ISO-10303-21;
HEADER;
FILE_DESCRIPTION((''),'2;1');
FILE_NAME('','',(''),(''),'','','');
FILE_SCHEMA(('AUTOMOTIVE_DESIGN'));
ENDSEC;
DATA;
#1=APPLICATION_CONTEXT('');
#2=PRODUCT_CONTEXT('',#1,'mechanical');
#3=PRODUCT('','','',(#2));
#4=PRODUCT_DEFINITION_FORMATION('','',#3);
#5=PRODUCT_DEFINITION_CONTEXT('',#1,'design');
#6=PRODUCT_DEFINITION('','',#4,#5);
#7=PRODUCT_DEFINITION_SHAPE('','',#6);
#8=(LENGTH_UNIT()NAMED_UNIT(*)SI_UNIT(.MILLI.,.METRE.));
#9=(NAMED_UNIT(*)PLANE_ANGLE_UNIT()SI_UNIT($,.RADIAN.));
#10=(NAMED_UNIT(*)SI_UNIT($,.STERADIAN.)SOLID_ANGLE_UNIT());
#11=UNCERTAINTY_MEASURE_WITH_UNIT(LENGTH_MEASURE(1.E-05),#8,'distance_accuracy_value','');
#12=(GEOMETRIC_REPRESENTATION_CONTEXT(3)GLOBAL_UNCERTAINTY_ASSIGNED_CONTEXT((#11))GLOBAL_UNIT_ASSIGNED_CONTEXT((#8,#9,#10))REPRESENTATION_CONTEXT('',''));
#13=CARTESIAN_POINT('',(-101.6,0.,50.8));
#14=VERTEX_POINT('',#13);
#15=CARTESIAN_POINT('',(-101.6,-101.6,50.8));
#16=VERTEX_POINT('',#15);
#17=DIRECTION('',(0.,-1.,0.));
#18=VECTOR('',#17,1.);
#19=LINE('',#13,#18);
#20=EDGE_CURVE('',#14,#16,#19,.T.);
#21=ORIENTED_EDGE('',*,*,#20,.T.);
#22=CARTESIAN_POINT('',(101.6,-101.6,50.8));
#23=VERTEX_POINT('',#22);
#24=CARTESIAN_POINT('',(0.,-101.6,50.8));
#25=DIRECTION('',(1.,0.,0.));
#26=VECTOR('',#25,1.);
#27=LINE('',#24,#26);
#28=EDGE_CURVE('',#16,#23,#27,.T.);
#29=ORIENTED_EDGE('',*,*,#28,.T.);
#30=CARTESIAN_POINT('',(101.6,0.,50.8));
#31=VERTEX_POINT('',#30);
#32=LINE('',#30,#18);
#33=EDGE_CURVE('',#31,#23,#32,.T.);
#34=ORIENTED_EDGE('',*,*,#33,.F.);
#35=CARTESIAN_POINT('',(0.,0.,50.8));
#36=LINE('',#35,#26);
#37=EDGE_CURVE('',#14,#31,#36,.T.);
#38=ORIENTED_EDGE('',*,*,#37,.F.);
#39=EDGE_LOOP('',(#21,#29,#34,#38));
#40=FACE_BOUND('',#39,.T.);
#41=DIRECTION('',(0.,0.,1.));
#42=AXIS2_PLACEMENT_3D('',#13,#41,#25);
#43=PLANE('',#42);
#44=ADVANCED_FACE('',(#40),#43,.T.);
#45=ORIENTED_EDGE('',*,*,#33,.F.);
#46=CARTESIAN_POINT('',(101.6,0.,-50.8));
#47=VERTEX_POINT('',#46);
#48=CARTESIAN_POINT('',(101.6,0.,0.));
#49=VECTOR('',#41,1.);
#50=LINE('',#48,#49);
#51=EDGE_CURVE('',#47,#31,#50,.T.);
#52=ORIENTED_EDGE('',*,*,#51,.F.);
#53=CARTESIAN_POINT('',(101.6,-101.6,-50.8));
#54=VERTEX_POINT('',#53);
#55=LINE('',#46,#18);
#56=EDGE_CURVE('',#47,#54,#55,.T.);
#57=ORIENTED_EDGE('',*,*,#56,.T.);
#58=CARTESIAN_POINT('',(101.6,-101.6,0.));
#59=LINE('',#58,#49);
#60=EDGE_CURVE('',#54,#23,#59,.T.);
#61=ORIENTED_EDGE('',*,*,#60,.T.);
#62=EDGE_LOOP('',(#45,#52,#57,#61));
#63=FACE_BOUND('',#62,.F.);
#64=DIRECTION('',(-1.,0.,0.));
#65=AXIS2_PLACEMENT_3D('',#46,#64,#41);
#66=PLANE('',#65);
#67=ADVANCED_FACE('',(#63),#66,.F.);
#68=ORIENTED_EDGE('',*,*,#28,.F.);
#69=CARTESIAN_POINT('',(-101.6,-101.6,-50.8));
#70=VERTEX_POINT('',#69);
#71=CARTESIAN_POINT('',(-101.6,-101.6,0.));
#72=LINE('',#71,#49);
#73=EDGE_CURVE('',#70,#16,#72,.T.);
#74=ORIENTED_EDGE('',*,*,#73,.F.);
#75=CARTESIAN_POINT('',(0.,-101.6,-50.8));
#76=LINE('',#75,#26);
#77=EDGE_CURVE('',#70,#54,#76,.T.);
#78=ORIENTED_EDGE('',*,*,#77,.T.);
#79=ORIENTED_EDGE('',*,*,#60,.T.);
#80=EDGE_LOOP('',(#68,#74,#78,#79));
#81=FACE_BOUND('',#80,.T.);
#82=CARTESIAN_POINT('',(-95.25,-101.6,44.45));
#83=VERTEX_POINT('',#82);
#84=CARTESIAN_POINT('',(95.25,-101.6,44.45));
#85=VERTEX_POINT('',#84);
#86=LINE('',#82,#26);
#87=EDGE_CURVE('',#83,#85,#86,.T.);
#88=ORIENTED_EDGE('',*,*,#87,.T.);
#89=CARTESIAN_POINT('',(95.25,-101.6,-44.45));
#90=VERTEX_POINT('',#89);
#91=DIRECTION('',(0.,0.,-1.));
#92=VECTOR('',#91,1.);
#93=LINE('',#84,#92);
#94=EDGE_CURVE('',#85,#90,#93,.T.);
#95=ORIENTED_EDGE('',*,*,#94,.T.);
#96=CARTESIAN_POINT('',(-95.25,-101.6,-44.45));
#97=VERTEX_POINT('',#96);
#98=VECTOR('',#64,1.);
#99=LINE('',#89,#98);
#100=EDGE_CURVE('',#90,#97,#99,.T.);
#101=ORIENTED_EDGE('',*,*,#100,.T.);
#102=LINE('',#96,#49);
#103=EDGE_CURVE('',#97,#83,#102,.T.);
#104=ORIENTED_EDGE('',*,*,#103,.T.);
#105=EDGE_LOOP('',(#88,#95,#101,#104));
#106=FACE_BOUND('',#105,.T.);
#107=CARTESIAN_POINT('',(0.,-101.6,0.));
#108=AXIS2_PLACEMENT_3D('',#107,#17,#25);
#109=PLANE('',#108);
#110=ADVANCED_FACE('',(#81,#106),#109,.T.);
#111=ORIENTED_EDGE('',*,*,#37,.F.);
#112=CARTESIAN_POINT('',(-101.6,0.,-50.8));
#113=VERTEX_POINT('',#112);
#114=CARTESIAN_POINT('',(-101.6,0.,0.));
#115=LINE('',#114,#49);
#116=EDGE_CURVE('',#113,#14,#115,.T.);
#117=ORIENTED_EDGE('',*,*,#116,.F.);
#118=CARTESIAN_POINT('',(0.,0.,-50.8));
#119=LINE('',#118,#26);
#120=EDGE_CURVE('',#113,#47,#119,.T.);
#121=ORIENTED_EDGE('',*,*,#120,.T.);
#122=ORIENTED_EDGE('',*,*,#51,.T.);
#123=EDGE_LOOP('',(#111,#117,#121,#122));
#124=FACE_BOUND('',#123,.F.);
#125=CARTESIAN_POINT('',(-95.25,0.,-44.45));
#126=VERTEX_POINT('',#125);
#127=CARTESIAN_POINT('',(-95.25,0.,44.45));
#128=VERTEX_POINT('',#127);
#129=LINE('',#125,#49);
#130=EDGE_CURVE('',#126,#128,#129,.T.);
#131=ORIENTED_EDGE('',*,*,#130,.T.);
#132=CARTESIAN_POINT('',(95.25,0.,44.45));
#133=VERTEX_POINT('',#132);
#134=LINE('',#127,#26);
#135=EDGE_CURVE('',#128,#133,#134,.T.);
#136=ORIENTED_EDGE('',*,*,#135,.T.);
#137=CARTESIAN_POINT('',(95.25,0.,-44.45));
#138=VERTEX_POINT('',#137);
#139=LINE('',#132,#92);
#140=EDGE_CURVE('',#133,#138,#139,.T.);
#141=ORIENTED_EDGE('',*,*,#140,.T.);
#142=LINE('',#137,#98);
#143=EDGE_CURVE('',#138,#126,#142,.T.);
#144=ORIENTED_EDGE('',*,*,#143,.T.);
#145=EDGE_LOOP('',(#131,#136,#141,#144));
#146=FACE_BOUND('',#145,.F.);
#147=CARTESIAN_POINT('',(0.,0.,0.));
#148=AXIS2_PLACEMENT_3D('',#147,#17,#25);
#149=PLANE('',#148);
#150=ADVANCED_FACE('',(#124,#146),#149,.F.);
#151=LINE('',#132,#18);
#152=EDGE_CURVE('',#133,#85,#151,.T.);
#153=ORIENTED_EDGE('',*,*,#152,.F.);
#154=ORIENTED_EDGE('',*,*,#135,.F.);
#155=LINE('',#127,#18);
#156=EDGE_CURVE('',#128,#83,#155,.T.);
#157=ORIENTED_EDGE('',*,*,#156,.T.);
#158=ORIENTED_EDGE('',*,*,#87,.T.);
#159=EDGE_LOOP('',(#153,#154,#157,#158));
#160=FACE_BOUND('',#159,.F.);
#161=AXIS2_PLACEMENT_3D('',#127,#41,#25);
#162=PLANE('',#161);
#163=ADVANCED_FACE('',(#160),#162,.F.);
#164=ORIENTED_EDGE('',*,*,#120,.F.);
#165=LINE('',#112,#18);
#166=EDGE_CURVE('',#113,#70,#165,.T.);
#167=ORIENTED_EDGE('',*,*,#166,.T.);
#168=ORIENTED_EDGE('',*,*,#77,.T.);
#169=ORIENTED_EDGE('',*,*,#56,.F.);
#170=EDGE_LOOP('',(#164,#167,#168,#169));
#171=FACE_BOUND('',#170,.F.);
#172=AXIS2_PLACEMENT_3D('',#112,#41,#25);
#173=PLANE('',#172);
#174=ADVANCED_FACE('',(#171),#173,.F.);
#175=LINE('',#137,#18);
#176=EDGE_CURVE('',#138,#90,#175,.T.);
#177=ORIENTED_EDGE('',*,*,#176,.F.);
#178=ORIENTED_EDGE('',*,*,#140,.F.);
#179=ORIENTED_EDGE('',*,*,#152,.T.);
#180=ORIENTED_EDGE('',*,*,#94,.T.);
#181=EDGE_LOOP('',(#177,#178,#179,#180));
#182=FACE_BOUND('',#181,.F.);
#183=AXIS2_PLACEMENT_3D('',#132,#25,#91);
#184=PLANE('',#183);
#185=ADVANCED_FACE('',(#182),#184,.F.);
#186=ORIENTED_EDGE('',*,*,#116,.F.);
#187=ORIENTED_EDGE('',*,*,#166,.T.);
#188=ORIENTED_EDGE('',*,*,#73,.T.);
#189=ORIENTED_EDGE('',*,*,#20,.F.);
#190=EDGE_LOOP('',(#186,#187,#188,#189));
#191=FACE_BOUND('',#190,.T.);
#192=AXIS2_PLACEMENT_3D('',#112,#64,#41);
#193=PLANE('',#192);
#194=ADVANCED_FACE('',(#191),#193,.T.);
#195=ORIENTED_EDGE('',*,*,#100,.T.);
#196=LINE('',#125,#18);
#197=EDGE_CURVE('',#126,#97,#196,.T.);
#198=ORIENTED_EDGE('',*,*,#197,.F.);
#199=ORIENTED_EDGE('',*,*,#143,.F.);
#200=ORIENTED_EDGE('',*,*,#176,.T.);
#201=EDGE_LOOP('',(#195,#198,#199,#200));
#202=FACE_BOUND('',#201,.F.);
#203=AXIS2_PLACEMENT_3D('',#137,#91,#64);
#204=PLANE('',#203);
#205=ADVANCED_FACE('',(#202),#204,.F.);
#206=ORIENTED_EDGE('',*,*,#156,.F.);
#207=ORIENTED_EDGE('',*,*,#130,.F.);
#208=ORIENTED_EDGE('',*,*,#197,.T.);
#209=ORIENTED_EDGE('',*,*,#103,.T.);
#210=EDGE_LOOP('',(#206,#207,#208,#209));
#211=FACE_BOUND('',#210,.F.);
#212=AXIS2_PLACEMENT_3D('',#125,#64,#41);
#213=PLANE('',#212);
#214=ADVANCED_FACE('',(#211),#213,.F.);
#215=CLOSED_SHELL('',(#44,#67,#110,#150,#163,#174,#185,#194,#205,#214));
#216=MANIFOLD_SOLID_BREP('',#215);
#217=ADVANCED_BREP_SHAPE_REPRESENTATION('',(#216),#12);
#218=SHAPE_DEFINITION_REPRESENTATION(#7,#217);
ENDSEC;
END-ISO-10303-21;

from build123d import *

# Parameters (mm, degrees)
F0_W     = 203.2
F0_H     = 101.6
F1_DEPTH = 101.6


with BuildPart() as f1:
    # F0 (on Front) → F1 (new body)
    with BuildSketch(Plane.XZ):
        Rectangle(F0_W, F0_H)
        Polygon((82.55, 44.45), (95.25, 44.45), (95.25, 19.05), (95.25, -44.45), (0, -44.45), (-95.25, -44.45), (-95.25, 44.45), (0, 44.45), align=None, mode=Mode.SUBTRACT)
    extrude(amount=F1_DEPTH)


solid = f1.part
